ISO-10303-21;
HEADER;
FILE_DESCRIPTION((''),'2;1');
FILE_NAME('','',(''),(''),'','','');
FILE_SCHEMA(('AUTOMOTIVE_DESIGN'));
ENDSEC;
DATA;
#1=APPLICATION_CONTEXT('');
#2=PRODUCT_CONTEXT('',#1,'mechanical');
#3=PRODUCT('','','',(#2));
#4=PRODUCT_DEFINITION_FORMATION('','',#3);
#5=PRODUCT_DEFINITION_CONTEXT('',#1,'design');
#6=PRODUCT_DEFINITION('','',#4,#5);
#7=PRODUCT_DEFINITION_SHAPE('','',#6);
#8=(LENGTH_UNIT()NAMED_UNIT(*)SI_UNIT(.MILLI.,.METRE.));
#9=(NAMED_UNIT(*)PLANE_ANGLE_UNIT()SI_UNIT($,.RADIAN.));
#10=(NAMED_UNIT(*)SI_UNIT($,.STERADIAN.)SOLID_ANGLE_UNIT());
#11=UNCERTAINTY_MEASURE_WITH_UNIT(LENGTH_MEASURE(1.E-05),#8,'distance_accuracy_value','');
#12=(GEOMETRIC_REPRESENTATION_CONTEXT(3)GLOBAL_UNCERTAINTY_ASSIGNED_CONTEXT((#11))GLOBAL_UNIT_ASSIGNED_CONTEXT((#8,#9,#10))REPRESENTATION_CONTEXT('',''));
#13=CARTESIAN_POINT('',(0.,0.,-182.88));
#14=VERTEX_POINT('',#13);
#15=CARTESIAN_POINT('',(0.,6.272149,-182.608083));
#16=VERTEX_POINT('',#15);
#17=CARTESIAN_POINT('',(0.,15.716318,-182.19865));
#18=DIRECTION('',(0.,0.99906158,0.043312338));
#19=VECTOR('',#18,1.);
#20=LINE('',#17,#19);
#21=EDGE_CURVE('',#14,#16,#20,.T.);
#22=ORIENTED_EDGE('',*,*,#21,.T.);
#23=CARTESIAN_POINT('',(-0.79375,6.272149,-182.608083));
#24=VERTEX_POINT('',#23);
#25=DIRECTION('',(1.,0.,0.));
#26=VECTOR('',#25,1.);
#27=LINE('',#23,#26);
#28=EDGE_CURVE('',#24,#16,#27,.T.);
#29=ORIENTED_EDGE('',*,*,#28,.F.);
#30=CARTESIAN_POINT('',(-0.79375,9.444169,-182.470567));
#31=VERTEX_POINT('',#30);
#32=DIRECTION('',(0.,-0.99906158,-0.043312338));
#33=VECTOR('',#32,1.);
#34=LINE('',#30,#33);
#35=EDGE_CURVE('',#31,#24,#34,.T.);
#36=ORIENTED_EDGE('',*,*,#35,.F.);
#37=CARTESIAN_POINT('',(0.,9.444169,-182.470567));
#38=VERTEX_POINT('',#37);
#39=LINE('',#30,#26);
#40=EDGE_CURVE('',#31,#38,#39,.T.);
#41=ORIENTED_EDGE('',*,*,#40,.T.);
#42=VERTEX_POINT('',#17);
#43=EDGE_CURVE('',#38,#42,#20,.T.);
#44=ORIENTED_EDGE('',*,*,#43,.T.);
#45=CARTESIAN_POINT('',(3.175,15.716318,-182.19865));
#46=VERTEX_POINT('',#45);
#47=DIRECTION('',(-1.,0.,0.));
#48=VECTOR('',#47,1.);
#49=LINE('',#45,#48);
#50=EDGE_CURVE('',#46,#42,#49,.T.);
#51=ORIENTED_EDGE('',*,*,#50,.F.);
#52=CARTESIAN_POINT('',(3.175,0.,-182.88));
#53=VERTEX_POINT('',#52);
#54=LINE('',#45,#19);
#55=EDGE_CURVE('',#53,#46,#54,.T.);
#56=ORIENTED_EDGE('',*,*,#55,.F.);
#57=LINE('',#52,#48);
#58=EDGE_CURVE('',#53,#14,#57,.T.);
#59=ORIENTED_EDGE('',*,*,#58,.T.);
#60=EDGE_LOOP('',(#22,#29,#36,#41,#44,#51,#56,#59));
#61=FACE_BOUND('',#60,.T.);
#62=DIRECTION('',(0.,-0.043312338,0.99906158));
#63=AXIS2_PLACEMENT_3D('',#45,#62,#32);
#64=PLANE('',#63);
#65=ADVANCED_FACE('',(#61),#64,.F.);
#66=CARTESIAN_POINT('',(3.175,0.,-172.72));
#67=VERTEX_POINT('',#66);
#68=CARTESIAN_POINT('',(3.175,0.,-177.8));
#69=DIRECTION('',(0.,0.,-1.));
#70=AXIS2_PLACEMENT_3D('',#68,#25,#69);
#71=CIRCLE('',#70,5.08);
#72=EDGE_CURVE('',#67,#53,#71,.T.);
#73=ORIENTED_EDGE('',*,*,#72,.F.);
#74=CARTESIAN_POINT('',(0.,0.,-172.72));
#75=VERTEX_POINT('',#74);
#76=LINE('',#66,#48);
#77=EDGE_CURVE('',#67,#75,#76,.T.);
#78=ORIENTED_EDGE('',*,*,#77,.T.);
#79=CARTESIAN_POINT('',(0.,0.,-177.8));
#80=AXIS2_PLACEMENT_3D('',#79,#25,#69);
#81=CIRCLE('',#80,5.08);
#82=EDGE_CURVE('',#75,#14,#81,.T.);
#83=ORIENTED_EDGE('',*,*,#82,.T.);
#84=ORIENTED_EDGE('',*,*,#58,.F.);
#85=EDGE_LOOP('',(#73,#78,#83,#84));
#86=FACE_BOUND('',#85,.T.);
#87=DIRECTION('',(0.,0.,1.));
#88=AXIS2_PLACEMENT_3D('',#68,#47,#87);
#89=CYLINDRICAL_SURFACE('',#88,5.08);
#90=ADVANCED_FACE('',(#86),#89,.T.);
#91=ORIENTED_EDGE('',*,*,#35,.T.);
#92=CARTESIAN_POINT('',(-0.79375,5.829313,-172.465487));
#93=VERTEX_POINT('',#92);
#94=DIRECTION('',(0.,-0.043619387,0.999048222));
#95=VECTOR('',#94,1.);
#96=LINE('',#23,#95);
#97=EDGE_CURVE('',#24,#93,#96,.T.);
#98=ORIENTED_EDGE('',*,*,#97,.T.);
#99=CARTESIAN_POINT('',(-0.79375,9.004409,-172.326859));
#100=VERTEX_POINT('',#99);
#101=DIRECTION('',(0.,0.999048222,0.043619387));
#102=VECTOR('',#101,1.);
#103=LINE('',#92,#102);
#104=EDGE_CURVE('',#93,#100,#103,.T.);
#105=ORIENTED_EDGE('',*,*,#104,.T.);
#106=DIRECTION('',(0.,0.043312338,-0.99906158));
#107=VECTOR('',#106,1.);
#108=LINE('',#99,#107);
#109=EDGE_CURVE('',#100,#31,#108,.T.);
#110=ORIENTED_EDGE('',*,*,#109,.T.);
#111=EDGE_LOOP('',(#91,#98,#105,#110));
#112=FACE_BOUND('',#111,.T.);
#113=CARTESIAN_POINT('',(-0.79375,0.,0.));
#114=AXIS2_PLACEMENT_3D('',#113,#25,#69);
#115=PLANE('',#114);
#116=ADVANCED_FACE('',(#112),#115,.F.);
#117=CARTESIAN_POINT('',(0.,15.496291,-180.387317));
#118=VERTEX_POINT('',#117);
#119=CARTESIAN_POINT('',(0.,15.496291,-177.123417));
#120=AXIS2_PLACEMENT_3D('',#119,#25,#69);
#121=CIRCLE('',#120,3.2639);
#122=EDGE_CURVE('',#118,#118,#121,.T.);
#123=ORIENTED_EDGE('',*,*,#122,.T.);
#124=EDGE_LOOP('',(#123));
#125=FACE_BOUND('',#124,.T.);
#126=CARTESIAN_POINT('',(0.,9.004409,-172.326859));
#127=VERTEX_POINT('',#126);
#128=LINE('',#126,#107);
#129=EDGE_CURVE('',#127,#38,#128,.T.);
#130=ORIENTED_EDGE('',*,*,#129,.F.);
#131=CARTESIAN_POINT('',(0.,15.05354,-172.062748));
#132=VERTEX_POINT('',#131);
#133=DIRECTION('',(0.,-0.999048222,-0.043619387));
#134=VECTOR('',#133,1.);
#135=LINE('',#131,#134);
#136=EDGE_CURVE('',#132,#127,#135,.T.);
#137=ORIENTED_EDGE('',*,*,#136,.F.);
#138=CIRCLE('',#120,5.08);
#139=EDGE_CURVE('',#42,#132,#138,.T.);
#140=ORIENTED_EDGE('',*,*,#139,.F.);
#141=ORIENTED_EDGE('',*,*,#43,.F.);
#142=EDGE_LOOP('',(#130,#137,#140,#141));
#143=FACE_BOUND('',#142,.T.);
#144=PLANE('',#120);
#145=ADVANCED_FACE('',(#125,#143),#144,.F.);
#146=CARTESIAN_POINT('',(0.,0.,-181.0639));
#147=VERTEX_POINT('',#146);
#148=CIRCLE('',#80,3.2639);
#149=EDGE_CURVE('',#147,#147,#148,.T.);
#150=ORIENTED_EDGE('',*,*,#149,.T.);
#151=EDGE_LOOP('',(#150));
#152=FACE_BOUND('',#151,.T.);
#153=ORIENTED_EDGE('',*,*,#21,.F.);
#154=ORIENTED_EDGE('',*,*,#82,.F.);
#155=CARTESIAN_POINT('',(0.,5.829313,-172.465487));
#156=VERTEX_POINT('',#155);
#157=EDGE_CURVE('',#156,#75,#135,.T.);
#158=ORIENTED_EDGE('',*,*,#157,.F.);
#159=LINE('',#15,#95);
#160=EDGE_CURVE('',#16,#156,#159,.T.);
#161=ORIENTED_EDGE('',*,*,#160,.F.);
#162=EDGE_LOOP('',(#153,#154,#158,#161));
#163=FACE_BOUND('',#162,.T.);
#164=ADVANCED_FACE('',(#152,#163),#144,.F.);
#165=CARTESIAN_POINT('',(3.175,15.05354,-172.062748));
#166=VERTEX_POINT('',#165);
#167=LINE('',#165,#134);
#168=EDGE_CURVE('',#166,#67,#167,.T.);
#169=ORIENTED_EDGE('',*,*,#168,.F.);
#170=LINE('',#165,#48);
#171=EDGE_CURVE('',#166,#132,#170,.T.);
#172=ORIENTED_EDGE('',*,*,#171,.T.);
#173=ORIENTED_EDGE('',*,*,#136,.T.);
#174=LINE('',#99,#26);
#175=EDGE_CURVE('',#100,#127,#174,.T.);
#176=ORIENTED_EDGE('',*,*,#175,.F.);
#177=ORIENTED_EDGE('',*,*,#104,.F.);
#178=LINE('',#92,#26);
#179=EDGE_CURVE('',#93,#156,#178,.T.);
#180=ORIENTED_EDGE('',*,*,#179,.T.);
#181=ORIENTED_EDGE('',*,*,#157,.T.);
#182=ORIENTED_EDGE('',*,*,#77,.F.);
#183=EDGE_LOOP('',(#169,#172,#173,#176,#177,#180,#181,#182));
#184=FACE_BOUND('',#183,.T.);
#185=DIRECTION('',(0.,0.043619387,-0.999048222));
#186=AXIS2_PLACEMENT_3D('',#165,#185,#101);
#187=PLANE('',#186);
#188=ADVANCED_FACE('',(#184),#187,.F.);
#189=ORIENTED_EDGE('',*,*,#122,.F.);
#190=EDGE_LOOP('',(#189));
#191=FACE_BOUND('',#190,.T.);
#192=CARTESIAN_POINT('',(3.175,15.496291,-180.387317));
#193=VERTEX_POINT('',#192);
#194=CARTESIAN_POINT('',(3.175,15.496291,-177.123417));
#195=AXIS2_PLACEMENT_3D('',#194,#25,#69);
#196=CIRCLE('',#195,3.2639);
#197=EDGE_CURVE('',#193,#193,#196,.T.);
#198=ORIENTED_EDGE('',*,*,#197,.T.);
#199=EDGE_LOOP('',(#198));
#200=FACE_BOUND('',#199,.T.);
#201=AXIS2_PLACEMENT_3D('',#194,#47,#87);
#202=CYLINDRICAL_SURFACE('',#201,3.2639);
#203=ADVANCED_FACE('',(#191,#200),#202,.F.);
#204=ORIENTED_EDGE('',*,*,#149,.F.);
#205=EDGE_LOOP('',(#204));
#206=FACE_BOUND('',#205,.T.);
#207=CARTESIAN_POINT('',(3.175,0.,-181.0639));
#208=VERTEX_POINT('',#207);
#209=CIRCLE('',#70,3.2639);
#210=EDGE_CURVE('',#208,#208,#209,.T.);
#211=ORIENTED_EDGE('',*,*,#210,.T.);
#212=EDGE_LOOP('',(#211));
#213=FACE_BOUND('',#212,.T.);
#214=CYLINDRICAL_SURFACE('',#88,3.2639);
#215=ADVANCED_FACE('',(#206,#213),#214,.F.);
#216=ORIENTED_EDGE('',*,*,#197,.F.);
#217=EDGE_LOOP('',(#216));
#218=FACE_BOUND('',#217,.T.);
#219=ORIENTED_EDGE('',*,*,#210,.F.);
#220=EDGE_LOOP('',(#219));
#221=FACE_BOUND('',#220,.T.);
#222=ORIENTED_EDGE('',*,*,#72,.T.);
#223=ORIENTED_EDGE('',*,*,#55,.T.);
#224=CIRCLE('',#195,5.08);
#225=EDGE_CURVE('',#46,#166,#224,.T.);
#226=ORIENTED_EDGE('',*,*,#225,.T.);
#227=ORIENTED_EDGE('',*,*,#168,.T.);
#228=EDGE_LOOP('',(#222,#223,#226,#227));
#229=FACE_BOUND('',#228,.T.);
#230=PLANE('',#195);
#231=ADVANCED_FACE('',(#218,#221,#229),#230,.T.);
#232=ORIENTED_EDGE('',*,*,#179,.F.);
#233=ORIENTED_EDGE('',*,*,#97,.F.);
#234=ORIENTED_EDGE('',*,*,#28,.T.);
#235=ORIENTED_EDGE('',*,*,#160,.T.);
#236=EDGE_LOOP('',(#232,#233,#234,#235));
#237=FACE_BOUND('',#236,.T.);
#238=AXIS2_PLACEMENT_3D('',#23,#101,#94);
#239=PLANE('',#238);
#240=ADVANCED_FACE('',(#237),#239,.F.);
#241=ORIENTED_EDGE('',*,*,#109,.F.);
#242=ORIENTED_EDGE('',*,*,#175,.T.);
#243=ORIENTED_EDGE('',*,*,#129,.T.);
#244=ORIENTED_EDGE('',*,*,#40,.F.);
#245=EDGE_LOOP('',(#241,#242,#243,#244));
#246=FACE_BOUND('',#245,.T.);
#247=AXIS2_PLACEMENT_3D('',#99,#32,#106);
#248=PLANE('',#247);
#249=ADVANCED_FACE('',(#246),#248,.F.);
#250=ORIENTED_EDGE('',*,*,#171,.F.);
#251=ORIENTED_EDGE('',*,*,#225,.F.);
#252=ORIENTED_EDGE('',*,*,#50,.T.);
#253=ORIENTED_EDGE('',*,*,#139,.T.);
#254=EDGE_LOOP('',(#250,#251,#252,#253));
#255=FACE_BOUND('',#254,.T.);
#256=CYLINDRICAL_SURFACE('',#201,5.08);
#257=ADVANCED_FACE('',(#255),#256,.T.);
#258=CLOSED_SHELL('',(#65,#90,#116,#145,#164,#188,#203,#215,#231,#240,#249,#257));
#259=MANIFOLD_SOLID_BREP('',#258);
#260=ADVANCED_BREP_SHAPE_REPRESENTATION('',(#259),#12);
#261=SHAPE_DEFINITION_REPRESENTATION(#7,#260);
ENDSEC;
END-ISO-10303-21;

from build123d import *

# Parameters (mm, degrees)
SKETCH1_R           = 3.2639
BOSS_EXTRUDE1_DEPTH = 3.175
BOSS_EXTRUDE2_DEPTH = 0.79375


with BuildPart() as part:
    # Sketch1 → Boss-Extrude1 (new body)
    with BuildSketch(Plane(origin=(0, 0, 0), x_dir=(0, 0, -1), z_dir=(1, 0, 0))):
        with BuildLine():
            Line((172.062748254, 15.053539887), (172.72, 0))
            ThreePointArc((172.72, 0), (177.8, -5.08), (182.88, 0))
            Line((182.88, 0), (182.198650149, 15.716317735))
            ThreePointArc((182.198650149, 15.716317735), (176.791948401, 20.565465387), (172.062748254, 15.053539887))
        make_face()
        with Locations((177.8, 0)):
            Circle(SKETCH1_R, mode=Mode.SUBTRACT)
        with Locations((177.123417321, 15.496291061)):
            Circle(SKETCH1_R, mode=Mode.SUBTRACT)
    extrude(amount=BOSS_EXTRUDE1_DEPTH)

    # Sketch2 → Boss-Extrude2 (add)
    with BuildSketch(Plane.ZY):
        Polygon((-182.539325075, 7.858158868), (-182.60808341, 6.272148609), (-172.465486686, 5.829313272), (-172.326859023, 9.004408754), (-182.470566739, 9.444169127), align=None)
    extrude(amount=BOSS_EXTRUDE2_DEPTH)


solid = part.part
